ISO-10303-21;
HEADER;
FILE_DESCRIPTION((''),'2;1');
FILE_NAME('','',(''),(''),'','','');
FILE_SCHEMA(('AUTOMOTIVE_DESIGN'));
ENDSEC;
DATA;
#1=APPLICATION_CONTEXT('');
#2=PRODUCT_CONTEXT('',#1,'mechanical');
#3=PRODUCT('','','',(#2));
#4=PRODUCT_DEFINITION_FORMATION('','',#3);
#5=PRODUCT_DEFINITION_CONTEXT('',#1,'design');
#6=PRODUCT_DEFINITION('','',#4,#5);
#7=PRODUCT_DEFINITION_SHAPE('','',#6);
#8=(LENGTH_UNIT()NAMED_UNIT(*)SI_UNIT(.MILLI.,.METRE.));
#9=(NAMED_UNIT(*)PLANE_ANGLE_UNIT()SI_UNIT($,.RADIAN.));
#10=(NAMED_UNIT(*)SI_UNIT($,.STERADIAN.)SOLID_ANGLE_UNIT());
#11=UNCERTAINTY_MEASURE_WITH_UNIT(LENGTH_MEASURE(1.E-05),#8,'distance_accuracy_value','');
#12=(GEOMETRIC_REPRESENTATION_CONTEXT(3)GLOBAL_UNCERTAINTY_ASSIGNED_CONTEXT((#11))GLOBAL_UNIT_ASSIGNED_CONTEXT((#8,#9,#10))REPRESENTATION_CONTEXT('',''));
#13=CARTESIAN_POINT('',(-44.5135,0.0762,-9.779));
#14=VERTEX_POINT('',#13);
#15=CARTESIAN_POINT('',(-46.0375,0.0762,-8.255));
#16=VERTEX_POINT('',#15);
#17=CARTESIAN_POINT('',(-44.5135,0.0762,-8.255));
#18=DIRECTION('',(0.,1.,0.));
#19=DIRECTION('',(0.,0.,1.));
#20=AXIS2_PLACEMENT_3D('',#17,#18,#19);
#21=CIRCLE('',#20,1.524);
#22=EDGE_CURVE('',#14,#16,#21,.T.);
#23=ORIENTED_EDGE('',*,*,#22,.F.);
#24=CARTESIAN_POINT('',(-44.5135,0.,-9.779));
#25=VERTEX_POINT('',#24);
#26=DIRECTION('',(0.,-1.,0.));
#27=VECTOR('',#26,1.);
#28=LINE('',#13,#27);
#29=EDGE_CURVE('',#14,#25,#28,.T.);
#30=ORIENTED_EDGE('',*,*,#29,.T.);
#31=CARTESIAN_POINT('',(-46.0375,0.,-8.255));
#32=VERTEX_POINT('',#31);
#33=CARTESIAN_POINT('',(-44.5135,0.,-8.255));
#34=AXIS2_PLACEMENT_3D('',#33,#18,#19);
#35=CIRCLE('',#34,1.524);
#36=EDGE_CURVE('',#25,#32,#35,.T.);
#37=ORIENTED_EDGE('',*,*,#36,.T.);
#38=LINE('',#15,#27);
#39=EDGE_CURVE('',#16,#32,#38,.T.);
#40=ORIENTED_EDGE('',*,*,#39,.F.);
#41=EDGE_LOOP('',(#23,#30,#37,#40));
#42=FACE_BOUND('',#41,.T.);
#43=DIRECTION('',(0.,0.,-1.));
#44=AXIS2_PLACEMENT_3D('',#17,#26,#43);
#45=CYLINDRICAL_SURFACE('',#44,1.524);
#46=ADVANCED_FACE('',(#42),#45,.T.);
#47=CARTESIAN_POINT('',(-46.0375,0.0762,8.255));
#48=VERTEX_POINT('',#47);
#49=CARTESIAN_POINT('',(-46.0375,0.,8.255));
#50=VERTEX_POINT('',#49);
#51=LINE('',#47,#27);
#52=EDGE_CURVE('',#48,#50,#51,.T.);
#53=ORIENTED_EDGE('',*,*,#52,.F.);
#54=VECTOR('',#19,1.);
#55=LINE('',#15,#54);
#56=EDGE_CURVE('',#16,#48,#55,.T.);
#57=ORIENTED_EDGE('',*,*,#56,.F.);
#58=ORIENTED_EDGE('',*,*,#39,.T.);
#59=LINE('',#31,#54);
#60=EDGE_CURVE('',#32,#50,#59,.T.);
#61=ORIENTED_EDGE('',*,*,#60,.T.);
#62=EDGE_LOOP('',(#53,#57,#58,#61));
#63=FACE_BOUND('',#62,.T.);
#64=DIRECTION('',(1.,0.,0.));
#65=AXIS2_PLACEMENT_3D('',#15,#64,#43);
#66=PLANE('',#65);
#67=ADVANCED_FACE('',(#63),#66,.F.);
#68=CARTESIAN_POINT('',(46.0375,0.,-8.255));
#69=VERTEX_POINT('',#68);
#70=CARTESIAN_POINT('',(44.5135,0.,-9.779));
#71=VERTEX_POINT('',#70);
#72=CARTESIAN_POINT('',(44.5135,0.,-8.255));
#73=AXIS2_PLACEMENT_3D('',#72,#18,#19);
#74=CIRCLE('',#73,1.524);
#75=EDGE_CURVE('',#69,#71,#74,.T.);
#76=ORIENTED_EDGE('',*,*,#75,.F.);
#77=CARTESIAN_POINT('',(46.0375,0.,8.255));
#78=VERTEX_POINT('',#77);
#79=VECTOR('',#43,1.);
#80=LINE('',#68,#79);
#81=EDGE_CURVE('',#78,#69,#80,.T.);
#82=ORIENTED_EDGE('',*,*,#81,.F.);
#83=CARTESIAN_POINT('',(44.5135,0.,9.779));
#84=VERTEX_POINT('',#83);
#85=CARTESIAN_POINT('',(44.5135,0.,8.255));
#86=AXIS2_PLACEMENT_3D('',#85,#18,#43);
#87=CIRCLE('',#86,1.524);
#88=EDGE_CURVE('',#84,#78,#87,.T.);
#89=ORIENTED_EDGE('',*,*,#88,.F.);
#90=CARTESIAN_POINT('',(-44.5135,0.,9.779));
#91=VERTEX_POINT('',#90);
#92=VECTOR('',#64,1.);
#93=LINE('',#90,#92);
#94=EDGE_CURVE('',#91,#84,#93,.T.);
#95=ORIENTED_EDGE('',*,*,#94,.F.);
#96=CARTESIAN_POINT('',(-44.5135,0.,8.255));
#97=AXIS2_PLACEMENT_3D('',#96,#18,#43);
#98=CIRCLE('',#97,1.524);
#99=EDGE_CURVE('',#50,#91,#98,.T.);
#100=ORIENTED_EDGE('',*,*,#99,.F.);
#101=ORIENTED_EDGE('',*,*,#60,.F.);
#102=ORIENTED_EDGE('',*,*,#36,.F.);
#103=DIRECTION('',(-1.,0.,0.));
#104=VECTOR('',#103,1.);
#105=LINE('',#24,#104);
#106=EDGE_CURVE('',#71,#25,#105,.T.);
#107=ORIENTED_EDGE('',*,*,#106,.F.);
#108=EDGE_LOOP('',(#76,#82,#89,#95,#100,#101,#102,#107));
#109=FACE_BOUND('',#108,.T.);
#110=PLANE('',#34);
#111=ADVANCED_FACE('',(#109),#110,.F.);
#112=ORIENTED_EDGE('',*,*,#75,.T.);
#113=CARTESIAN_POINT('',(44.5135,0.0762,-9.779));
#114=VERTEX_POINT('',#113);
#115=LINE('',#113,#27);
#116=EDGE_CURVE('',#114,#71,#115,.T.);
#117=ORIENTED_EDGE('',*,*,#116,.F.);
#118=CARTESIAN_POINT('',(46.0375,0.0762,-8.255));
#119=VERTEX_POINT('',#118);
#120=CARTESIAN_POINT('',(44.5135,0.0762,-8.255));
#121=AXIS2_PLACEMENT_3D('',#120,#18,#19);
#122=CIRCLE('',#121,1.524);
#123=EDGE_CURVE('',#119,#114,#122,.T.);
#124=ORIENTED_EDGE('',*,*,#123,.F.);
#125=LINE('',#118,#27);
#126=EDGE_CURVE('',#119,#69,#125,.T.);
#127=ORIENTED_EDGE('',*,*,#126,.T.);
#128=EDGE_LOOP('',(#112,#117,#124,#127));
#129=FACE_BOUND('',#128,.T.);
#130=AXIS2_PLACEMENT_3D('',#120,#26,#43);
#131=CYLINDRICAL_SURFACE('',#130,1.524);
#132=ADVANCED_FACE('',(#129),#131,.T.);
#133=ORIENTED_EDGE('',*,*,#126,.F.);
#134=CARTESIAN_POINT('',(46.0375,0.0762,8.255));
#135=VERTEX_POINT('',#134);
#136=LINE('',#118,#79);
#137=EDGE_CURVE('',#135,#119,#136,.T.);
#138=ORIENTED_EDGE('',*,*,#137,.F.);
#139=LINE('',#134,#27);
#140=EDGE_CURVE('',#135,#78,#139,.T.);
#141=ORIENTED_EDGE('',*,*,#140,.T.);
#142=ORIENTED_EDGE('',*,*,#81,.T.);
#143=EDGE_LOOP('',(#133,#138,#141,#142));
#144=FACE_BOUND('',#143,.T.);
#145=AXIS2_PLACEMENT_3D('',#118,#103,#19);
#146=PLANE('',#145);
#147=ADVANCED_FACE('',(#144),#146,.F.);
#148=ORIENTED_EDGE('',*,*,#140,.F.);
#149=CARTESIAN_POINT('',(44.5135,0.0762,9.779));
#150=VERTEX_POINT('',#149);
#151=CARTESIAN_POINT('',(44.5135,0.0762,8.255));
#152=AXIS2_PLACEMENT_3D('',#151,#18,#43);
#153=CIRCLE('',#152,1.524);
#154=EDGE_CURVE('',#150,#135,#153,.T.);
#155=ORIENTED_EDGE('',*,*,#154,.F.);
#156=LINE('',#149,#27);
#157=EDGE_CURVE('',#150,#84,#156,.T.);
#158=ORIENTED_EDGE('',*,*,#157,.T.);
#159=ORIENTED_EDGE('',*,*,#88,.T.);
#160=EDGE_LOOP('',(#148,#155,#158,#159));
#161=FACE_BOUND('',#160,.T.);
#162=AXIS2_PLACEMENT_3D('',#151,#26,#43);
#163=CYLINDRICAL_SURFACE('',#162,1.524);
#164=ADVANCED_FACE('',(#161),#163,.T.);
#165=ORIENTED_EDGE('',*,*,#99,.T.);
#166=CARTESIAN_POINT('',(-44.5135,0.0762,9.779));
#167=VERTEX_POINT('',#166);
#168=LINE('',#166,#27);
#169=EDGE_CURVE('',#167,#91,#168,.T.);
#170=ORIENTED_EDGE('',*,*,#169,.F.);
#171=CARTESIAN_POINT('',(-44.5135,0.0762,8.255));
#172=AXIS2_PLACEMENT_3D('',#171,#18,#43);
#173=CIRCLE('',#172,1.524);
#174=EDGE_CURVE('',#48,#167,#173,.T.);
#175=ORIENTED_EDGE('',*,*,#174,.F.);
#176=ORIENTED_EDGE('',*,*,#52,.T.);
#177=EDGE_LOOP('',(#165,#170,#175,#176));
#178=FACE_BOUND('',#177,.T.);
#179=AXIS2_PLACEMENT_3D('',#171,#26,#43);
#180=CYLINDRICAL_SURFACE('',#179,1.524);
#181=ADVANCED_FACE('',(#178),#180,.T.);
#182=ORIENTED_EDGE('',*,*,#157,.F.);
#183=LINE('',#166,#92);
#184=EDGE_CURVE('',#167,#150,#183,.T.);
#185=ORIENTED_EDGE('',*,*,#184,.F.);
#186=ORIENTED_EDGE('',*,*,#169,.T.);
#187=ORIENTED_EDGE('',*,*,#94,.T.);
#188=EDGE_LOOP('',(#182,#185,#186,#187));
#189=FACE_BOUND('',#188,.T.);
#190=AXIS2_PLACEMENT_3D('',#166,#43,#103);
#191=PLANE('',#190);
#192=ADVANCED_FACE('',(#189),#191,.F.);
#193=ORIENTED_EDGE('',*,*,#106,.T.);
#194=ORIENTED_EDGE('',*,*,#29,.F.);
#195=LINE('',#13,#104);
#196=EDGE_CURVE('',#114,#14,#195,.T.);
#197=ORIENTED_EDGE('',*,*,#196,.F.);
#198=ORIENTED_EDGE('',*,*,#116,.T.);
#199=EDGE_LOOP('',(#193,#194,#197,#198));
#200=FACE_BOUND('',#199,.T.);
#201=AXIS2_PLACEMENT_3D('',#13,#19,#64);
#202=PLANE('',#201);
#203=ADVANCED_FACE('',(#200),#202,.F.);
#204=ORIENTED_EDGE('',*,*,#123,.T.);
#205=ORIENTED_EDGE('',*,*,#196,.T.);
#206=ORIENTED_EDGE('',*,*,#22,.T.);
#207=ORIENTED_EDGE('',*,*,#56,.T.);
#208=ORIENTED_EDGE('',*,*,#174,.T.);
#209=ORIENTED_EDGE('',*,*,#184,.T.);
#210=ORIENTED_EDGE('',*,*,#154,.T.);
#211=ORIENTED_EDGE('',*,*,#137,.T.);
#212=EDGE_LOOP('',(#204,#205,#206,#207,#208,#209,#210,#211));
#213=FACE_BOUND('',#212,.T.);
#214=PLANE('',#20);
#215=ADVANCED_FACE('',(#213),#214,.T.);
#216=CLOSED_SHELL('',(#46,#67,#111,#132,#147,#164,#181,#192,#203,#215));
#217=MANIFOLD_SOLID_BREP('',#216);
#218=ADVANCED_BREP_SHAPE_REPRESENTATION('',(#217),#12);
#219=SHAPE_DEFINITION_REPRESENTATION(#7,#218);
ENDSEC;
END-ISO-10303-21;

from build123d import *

# Parameters (mm, degrees)
EXTRUDE2_DEPTH = 0.0762


with BuildPart() as part:
    # Sketch1 → Extrude2 (new body)
    with BuildSketch(Plane(origin=(0, 0, 0), x_dir=(1, 0, 0), z_dir=(0, 1, 0))):
        with BuildLine():
            Line((-44.5135, 9.779), (44.5135, 9.779))
            ThreePointArc((44.5135, 9.779), (45.591130735, 9.332630735), (46.0375, 8.255))
            Line((46.0375, 8.255), (46.0375, -8.255))
            ThreePointArc((46.0375, -8.255), (45.591130735, -9.332630735), (44.5135, -9.779))
            Line((44.5135, -9.779), (-44.5135, -9.779))
            ThreePointArc((-44.5135, -9.779), (-45.591130735, -9.332630735), (-46.0375, -8.255))
            Line((-46.0375, -8.255), (-46.0375, 8.255))
            ThreePointArc((-46.0375, 8.255), (-45.591130735, 9.332630735), (-44.5135, 9.779))
        make_face()
    extrude(amount=EXTRUDE2_DEPTH)


solid = part.part
